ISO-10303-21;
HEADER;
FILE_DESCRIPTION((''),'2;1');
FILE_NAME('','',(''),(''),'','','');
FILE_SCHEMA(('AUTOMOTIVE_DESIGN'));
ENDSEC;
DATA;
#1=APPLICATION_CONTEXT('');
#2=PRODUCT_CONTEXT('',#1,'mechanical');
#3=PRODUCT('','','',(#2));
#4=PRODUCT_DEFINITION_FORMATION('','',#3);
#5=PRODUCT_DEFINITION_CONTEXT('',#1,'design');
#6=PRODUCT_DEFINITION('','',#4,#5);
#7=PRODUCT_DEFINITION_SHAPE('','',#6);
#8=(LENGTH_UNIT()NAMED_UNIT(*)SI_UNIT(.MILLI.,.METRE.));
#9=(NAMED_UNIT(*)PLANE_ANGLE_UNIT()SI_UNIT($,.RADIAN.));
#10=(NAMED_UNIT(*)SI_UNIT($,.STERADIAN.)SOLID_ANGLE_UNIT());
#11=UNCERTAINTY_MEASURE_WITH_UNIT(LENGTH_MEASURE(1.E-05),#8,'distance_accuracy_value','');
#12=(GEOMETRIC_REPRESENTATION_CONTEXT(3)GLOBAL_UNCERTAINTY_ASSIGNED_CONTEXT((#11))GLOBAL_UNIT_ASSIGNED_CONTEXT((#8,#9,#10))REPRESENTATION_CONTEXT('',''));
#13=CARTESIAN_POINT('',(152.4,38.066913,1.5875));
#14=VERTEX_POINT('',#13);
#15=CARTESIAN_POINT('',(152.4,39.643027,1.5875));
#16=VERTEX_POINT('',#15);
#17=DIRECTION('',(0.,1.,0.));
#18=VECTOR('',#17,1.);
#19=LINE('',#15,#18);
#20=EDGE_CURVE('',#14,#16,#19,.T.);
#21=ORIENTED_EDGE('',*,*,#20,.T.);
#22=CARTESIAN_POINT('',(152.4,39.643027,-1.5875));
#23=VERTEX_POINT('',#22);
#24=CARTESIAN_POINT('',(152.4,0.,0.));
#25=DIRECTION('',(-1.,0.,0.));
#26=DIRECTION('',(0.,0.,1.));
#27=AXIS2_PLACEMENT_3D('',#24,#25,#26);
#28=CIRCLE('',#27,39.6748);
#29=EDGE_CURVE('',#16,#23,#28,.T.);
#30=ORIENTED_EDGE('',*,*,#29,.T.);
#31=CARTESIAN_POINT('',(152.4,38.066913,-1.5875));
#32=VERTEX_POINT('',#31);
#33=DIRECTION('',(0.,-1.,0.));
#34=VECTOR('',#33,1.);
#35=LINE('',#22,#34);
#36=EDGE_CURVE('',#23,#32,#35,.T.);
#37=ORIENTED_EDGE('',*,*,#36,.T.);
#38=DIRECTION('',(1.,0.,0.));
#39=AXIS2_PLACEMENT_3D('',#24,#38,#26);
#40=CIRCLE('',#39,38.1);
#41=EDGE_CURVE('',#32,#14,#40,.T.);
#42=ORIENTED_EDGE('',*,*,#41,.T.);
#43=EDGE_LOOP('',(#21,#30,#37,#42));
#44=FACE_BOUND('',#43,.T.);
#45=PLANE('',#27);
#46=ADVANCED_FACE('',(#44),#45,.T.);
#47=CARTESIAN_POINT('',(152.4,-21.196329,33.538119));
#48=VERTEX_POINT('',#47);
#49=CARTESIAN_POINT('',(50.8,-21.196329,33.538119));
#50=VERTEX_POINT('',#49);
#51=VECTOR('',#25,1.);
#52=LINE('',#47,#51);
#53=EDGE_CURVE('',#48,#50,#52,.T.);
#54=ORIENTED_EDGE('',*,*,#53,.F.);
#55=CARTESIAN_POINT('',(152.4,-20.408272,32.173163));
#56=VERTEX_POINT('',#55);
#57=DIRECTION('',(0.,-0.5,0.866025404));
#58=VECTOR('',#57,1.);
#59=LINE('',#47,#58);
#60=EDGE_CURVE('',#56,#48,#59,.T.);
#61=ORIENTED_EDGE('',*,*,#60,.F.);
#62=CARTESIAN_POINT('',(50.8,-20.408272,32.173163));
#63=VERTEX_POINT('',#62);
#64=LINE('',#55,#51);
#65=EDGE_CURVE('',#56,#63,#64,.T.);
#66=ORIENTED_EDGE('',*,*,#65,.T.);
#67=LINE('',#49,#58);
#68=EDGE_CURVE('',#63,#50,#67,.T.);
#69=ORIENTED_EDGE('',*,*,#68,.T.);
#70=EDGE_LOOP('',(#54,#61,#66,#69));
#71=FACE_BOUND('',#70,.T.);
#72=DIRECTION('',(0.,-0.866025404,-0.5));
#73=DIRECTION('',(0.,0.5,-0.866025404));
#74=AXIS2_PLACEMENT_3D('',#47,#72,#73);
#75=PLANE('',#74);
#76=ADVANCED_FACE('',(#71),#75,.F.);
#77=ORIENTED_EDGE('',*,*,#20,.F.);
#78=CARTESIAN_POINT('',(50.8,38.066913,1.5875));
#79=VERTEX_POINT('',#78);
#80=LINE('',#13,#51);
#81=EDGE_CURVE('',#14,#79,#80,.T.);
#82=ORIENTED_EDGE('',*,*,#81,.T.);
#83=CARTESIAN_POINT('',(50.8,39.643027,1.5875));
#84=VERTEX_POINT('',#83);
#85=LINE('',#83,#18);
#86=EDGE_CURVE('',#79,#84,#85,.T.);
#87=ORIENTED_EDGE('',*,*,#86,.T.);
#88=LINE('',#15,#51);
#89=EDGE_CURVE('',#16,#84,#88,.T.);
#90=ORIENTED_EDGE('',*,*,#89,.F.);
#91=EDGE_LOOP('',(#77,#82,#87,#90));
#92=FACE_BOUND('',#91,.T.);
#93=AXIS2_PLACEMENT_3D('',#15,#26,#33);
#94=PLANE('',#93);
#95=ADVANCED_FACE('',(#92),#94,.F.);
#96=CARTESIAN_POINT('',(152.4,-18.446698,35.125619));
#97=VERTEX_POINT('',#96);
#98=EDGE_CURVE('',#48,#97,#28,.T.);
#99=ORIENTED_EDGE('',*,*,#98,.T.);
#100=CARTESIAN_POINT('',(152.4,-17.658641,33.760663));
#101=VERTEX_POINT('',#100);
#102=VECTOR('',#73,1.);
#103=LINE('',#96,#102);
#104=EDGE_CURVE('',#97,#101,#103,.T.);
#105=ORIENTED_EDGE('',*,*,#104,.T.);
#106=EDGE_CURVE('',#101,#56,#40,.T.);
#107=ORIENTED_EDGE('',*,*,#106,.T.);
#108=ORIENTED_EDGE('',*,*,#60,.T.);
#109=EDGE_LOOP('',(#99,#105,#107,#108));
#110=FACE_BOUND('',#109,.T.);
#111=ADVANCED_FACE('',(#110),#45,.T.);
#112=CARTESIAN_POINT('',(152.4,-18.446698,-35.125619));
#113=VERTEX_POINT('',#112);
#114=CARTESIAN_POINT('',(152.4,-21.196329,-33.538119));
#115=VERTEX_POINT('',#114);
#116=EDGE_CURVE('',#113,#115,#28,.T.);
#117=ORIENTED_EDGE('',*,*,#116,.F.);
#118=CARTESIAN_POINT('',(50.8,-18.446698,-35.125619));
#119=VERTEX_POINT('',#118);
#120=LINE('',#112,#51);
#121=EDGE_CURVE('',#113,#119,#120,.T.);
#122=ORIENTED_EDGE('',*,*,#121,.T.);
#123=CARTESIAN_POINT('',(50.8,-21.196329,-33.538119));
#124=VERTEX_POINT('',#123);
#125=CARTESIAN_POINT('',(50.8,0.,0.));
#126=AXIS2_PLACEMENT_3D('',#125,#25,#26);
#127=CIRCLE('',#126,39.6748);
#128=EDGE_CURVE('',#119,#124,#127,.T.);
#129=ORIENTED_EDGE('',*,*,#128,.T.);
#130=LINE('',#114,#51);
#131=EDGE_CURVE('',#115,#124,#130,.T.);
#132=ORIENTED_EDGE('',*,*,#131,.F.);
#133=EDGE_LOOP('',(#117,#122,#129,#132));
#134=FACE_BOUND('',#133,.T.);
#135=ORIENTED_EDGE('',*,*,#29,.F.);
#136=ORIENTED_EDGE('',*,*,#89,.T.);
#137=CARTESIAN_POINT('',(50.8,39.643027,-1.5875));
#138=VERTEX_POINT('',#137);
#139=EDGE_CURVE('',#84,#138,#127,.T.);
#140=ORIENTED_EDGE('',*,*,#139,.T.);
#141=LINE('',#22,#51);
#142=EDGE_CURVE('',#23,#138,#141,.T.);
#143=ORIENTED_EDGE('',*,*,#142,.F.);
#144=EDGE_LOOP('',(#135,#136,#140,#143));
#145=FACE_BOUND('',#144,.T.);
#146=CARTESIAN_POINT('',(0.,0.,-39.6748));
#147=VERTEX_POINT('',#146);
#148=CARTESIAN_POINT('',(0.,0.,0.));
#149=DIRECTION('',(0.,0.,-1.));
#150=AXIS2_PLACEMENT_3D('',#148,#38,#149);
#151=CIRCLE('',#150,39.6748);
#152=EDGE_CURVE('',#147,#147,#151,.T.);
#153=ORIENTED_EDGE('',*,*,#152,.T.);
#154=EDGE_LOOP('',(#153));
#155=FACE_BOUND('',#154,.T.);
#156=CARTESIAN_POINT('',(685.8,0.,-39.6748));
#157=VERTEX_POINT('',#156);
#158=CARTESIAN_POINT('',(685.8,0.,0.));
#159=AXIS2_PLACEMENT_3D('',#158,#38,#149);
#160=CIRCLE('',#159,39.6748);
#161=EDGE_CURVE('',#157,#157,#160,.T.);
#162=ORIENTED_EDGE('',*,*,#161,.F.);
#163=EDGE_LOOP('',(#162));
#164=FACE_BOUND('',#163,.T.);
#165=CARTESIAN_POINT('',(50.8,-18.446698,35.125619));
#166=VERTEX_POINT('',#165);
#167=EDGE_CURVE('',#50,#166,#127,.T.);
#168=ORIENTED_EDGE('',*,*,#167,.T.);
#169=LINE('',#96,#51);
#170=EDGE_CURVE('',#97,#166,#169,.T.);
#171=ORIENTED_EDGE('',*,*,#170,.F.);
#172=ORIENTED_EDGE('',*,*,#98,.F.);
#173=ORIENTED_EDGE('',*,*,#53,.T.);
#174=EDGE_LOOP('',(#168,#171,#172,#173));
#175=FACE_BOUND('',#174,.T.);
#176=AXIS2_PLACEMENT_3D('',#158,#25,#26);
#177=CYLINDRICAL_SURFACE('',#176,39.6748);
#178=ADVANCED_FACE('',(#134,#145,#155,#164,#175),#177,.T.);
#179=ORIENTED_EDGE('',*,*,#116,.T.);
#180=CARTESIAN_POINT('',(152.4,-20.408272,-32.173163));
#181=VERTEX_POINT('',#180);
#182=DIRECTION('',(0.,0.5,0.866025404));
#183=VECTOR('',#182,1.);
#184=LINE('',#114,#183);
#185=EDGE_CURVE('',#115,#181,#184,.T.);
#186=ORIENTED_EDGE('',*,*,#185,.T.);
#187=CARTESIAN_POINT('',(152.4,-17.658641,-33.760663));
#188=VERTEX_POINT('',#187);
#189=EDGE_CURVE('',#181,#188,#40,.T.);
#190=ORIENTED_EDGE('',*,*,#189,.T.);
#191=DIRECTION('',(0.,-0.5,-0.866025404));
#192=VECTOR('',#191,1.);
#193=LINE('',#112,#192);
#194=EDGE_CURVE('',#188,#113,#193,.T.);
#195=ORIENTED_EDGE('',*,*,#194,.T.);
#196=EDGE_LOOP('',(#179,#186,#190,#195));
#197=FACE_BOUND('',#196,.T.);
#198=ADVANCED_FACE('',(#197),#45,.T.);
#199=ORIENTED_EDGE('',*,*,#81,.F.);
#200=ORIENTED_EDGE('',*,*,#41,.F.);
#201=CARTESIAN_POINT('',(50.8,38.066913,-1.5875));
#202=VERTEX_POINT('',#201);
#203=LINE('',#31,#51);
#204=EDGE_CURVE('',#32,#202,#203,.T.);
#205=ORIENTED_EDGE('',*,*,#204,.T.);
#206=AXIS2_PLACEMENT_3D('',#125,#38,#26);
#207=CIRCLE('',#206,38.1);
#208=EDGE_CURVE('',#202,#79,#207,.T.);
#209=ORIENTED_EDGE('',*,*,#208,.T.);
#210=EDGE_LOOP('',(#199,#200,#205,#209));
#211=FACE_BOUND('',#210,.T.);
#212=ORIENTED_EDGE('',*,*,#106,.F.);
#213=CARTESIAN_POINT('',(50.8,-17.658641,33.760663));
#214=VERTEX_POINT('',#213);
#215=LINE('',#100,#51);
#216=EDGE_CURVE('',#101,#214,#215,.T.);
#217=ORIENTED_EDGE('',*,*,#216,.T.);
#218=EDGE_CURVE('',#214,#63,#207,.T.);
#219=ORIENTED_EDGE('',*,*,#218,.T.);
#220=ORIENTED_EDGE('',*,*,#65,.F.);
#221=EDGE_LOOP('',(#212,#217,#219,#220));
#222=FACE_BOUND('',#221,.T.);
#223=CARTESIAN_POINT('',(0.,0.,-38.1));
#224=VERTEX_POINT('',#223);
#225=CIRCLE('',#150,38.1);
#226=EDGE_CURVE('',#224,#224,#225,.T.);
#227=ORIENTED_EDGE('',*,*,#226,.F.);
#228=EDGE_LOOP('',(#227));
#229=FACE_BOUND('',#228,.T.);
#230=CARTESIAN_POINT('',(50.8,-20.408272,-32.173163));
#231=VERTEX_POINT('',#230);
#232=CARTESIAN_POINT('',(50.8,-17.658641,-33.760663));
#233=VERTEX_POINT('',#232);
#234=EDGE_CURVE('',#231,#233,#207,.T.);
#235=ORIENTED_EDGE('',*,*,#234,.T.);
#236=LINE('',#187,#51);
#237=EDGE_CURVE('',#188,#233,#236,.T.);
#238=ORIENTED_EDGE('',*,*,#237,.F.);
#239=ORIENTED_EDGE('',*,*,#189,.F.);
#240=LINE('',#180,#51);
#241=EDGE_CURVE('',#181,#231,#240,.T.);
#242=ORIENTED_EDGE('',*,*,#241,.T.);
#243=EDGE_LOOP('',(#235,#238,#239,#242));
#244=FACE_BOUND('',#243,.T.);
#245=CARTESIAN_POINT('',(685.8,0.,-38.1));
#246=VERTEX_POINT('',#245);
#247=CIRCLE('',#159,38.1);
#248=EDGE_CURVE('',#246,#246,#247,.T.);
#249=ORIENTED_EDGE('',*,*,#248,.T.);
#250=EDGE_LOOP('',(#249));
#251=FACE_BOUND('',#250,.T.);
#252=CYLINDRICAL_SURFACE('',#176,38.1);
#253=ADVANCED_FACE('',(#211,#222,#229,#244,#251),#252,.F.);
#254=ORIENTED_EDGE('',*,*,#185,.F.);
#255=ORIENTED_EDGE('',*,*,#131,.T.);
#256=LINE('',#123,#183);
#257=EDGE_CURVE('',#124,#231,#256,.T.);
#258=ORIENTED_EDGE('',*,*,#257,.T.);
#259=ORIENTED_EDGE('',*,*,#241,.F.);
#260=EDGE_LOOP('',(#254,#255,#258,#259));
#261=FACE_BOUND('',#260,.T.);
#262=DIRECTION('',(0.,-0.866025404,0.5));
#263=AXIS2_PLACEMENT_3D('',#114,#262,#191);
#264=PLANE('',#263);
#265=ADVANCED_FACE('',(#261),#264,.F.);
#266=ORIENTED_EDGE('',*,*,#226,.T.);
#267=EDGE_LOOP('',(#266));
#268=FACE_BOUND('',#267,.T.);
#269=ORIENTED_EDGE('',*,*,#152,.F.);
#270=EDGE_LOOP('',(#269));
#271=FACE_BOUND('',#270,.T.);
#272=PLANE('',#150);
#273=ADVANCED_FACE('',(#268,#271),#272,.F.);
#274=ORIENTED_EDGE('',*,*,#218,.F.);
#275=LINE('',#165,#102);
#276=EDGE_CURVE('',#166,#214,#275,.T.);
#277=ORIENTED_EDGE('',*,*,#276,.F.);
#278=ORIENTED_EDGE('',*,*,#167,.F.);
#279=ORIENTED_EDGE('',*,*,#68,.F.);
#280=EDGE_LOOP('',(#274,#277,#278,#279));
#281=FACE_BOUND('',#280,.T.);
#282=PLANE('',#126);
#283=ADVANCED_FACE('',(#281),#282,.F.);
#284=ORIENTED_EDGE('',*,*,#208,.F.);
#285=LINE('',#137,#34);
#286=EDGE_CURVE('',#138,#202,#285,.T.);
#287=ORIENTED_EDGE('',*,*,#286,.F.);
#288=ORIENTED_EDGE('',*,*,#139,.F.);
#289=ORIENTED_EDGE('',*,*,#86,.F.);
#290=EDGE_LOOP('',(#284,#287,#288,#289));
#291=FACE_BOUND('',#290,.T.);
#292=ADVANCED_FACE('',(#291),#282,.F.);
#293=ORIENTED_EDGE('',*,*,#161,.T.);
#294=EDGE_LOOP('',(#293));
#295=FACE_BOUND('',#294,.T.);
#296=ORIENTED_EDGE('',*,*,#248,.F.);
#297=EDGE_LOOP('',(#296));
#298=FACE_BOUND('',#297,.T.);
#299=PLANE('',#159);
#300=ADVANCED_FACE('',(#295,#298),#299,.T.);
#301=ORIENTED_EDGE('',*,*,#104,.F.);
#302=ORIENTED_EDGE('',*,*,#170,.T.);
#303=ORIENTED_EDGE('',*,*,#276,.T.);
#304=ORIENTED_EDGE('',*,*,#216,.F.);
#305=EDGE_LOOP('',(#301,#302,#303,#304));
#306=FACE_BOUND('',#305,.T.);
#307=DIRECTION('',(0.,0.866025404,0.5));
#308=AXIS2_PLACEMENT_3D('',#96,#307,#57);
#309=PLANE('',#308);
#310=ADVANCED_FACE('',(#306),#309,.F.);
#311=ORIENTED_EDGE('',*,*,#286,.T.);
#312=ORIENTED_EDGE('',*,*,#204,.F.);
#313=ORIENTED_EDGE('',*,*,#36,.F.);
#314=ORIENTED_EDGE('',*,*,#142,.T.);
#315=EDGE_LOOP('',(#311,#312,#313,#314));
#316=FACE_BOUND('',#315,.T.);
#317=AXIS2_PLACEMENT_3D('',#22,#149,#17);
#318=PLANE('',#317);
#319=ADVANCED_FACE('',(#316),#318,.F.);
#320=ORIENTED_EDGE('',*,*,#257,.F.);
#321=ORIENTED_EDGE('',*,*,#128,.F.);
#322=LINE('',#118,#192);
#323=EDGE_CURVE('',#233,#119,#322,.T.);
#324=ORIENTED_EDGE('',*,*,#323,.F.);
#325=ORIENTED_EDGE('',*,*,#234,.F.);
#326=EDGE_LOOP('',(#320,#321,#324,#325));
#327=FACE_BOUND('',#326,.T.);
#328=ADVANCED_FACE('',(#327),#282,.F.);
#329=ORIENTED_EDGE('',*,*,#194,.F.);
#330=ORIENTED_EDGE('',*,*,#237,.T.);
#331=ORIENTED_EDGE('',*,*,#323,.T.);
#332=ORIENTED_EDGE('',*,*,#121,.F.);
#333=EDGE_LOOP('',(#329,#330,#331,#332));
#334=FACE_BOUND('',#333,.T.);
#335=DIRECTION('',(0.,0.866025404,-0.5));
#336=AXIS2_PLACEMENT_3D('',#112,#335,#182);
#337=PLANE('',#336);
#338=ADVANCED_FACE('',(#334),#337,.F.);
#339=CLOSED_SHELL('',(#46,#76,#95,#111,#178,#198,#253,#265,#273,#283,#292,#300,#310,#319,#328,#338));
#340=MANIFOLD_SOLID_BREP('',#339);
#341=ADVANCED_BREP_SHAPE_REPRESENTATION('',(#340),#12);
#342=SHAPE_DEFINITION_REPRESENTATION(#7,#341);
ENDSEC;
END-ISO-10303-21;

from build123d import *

# Parameters (mm, degrees)
SKETCH1_R           = 39.6748
SKETCH1_R_2         = 38.1
BOSS_EXTRUDE1_DEPTH = 685.8
CUT_EXTRUDE2_DEPTH  = 101.6


with BuildPart() as part:
    # Sketch1 → Boss-Extrude1 (new body)
    with BuildSketch(Plane(origin=(0, 0, 0), x_dir=(0, 0, -1), z_dir=(1, 0, 0))):
        Circle(SKETCH1_R)
        Circle(SKETCH1_R_2, mode=Mode.SUBTRACT)
    extrude(amount=BOSS_EXTRUDE1_DEPTH)

    # Sketch2 → Cut-Extrude2 (cut)
    with BuildSketch(Plane.ZY.offset(-50.8)):
        with BuildLine():
            Line((-1.5875, 39.643027114), (-1.5875, 38.066912716))
            ThreePointArc((-1.5875, 38.066912716), (0, 38.1), (1.5875, 38.066912716))
            Line((1.5875, 38.066912716), (1.5875, 39.643027114))
            ThreePointArc((1.5875, 39.643027114), (0, 39.6748), (-1.5875, 39.643027114))
        make_face()
        with BuildLine():
            Line((35.125618564, -18.446698229), (33.760663456, -17.65864103))
            ThreePointArc((33.760663456, -17.65864103), (32.995567884, -19.05), (32.173163456, -20.408271687))
            Line((32.173163456, -20.408271687), (33.538118564, -21.196328886))
            ThreePointArc((33.538118564, -21.196328886), (34.35938469, -19.8374), (35.125618564, -18.446698229))
        make_face()
        with BuildLine():
            Line((-33.538118564, -21.196328886), (-32.173163456, -20.408271687))
            ThreePointArc((-32.173163456, -20.408271687), (-32.995567884, -19.05), (-33.760663456, -17.65864103))
            Line((-33.760663456, -17.65864103), (-35.125618564, -18.446698229))
            ThreePointArc((-35.125618564, -18.446698229), (-34.35938469, -19.8374), (-33.538118564, -21.196328886))
        make_face()
    extrude(amount=-CUT_EXTRUDE2_DEPTH, mode=Mode.SUBTRACT)


solid = part.part
